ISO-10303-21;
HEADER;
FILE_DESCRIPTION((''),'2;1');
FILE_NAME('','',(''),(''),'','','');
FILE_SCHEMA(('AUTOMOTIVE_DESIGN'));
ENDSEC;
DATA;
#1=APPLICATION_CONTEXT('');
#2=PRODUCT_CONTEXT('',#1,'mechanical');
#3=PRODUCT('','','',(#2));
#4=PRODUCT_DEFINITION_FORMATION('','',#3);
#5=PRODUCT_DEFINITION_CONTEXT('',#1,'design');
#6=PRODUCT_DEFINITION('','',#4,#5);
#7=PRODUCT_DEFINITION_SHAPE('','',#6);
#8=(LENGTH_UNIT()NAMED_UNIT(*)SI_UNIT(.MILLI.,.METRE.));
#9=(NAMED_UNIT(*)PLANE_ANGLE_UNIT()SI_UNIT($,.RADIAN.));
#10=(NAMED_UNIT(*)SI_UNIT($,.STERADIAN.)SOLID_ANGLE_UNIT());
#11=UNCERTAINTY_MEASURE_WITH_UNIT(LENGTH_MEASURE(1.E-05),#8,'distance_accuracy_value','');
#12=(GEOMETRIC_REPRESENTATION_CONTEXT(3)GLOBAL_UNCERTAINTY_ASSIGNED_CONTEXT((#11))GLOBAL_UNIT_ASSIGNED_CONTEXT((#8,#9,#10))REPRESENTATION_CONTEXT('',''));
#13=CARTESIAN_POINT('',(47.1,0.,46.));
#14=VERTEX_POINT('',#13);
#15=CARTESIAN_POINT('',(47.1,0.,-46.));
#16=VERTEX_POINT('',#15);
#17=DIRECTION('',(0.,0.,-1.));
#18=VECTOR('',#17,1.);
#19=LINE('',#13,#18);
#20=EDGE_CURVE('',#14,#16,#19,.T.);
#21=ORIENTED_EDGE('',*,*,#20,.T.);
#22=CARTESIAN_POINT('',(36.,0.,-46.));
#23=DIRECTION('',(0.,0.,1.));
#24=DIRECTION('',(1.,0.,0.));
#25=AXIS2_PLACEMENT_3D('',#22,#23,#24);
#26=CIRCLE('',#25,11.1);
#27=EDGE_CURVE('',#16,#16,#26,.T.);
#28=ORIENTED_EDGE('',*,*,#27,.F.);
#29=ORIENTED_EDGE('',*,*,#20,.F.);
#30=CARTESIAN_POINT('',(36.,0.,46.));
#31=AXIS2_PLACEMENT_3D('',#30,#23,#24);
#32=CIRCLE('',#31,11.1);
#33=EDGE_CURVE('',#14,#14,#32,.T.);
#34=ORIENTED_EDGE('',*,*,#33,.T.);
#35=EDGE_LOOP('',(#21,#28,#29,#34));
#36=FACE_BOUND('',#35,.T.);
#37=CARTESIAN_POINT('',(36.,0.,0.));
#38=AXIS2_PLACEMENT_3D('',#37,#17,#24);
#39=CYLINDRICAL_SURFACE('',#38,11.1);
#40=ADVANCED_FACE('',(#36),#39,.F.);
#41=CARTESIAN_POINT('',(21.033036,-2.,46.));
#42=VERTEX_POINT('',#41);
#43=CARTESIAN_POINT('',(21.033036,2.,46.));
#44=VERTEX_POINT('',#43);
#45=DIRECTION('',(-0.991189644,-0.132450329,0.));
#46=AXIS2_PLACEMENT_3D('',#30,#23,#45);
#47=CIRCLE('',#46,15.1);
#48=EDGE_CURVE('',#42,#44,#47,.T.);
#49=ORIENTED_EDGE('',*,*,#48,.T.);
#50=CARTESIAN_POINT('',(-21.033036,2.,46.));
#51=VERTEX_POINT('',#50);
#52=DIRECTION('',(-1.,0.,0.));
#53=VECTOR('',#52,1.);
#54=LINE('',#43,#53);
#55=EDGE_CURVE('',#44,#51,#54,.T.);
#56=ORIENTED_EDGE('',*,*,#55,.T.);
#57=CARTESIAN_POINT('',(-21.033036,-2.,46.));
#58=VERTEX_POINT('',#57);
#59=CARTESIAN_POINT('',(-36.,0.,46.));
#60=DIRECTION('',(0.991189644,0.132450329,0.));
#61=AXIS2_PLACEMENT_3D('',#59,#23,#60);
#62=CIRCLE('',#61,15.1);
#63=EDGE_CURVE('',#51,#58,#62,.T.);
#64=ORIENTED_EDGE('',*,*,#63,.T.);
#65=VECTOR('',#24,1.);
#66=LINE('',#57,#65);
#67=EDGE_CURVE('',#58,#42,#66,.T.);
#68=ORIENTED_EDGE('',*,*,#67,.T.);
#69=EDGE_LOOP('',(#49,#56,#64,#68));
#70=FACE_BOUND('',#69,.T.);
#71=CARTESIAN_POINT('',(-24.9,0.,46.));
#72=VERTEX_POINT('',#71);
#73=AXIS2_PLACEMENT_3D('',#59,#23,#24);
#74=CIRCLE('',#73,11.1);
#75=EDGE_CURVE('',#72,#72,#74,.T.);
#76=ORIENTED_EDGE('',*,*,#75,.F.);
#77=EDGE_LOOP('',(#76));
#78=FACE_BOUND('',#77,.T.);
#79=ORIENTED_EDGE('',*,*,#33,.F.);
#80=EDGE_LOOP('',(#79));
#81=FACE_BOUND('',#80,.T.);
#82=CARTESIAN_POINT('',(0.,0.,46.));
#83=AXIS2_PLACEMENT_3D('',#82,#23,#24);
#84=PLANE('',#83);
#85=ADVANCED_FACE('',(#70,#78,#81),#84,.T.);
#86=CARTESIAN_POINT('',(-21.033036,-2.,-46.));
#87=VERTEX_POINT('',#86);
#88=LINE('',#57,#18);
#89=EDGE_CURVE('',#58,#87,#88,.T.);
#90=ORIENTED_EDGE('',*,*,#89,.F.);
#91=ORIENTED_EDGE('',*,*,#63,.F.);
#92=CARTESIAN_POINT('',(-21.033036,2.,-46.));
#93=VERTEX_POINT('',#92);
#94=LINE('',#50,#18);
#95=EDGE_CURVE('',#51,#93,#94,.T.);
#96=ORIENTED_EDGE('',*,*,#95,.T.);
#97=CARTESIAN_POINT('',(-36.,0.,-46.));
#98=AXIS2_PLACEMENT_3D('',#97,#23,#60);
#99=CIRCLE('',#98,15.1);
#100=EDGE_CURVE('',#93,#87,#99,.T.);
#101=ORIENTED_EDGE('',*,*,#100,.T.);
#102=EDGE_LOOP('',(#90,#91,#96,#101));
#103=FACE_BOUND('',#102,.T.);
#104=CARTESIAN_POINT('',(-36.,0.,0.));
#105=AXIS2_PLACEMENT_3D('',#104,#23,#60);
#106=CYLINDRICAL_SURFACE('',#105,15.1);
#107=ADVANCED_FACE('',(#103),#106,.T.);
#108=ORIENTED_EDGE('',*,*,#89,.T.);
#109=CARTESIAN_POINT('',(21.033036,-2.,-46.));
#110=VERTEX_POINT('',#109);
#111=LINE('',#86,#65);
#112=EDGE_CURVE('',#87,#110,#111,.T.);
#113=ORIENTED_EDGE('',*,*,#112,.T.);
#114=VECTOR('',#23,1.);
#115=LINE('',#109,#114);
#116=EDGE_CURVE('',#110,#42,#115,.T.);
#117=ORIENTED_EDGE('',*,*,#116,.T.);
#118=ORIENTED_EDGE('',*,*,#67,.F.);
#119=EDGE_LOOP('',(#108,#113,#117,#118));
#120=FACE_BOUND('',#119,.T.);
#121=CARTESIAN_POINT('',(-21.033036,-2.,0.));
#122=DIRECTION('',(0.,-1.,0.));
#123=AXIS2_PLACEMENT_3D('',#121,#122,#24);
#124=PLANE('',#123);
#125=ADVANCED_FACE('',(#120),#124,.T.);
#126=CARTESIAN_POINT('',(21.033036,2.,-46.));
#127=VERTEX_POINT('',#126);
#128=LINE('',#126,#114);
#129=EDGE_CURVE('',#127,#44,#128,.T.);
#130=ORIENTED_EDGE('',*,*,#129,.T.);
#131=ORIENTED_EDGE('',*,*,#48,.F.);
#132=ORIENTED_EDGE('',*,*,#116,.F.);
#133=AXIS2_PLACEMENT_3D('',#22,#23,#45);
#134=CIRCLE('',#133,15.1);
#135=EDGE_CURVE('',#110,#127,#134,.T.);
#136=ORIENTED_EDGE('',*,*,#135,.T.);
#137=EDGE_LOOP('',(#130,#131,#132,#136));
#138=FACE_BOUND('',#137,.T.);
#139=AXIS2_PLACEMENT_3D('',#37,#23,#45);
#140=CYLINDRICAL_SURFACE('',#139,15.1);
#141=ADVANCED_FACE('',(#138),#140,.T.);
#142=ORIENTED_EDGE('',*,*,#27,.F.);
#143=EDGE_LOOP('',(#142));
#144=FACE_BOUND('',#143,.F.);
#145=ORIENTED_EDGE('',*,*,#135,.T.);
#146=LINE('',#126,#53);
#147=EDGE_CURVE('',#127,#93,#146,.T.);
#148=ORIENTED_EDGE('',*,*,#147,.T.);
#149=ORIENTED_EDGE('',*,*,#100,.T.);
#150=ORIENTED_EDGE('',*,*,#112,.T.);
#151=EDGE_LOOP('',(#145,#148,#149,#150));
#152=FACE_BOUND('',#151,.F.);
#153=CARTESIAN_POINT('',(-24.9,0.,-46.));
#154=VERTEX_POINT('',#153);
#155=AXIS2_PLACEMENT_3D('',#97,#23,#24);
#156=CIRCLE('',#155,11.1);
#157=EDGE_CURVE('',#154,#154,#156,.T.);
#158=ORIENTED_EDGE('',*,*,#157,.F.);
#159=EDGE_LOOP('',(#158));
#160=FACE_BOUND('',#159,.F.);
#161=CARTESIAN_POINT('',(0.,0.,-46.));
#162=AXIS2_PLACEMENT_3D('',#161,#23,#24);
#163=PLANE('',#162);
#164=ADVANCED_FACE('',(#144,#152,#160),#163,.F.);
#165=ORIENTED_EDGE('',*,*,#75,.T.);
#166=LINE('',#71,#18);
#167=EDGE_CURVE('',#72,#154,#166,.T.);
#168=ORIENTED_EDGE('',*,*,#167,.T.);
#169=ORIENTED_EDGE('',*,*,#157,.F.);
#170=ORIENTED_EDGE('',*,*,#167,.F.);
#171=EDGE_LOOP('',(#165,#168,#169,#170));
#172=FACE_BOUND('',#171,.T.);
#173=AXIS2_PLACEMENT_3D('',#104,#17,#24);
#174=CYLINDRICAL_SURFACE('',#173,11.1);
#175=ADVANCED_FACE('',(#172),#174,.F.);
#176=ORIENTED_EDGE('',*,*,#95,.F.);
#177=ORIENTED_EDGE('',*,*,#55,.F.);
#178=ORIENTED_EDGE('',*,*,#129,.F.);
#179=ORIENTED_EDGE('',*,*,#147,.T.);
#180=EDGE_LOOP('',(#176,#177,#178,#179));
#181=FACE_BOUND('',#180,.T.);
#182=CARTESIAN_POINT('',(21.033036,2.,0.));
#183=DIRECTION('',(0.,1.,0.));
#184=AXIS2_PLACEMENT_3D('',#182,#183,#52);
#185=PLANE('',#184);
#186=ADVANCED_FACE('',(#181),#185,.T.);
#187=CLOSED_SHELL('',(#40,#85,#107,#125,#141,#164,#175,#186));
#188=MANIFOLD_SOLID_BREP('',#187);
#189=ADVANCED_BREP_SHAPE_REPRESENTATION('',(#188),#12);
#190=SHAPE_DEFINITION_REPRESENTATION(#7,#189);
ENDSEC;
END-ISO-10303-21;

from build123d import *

# Parameters (mm, degrees)
F0_R     = 11.1
F1_DEPTH = 46


with BuildPart() as f1:
    # F0 (on Top) → F1 (new body, symmetric)
    with BuildSketch(Plane.XY):
        with BuildLine():
            Line((-21.033036, -2), (0, -2))
            Line((0, -2), (21.033036, -2))
            ThreePointArc((21.033036, -2), (51.1, 0), (21.033036, 2))
            Line((21.033036, 2), (0, 2))
            Line((0, 2), (-21.033036, 2))
            ThreePointArc((-21.033036, 2), (-51.1, 0), (-21.033036, -2))
        make_face()
        with Locations((-36, 0)):
            Circle(F0_R, mode=Mode.SUBTRACT)
        with Locations((36, 0)):
            Circle(F0_R, mode=Mode.SUBTRACT)
    extrude(amount=F1_DEPTH, both=True)


solid = f1.part
